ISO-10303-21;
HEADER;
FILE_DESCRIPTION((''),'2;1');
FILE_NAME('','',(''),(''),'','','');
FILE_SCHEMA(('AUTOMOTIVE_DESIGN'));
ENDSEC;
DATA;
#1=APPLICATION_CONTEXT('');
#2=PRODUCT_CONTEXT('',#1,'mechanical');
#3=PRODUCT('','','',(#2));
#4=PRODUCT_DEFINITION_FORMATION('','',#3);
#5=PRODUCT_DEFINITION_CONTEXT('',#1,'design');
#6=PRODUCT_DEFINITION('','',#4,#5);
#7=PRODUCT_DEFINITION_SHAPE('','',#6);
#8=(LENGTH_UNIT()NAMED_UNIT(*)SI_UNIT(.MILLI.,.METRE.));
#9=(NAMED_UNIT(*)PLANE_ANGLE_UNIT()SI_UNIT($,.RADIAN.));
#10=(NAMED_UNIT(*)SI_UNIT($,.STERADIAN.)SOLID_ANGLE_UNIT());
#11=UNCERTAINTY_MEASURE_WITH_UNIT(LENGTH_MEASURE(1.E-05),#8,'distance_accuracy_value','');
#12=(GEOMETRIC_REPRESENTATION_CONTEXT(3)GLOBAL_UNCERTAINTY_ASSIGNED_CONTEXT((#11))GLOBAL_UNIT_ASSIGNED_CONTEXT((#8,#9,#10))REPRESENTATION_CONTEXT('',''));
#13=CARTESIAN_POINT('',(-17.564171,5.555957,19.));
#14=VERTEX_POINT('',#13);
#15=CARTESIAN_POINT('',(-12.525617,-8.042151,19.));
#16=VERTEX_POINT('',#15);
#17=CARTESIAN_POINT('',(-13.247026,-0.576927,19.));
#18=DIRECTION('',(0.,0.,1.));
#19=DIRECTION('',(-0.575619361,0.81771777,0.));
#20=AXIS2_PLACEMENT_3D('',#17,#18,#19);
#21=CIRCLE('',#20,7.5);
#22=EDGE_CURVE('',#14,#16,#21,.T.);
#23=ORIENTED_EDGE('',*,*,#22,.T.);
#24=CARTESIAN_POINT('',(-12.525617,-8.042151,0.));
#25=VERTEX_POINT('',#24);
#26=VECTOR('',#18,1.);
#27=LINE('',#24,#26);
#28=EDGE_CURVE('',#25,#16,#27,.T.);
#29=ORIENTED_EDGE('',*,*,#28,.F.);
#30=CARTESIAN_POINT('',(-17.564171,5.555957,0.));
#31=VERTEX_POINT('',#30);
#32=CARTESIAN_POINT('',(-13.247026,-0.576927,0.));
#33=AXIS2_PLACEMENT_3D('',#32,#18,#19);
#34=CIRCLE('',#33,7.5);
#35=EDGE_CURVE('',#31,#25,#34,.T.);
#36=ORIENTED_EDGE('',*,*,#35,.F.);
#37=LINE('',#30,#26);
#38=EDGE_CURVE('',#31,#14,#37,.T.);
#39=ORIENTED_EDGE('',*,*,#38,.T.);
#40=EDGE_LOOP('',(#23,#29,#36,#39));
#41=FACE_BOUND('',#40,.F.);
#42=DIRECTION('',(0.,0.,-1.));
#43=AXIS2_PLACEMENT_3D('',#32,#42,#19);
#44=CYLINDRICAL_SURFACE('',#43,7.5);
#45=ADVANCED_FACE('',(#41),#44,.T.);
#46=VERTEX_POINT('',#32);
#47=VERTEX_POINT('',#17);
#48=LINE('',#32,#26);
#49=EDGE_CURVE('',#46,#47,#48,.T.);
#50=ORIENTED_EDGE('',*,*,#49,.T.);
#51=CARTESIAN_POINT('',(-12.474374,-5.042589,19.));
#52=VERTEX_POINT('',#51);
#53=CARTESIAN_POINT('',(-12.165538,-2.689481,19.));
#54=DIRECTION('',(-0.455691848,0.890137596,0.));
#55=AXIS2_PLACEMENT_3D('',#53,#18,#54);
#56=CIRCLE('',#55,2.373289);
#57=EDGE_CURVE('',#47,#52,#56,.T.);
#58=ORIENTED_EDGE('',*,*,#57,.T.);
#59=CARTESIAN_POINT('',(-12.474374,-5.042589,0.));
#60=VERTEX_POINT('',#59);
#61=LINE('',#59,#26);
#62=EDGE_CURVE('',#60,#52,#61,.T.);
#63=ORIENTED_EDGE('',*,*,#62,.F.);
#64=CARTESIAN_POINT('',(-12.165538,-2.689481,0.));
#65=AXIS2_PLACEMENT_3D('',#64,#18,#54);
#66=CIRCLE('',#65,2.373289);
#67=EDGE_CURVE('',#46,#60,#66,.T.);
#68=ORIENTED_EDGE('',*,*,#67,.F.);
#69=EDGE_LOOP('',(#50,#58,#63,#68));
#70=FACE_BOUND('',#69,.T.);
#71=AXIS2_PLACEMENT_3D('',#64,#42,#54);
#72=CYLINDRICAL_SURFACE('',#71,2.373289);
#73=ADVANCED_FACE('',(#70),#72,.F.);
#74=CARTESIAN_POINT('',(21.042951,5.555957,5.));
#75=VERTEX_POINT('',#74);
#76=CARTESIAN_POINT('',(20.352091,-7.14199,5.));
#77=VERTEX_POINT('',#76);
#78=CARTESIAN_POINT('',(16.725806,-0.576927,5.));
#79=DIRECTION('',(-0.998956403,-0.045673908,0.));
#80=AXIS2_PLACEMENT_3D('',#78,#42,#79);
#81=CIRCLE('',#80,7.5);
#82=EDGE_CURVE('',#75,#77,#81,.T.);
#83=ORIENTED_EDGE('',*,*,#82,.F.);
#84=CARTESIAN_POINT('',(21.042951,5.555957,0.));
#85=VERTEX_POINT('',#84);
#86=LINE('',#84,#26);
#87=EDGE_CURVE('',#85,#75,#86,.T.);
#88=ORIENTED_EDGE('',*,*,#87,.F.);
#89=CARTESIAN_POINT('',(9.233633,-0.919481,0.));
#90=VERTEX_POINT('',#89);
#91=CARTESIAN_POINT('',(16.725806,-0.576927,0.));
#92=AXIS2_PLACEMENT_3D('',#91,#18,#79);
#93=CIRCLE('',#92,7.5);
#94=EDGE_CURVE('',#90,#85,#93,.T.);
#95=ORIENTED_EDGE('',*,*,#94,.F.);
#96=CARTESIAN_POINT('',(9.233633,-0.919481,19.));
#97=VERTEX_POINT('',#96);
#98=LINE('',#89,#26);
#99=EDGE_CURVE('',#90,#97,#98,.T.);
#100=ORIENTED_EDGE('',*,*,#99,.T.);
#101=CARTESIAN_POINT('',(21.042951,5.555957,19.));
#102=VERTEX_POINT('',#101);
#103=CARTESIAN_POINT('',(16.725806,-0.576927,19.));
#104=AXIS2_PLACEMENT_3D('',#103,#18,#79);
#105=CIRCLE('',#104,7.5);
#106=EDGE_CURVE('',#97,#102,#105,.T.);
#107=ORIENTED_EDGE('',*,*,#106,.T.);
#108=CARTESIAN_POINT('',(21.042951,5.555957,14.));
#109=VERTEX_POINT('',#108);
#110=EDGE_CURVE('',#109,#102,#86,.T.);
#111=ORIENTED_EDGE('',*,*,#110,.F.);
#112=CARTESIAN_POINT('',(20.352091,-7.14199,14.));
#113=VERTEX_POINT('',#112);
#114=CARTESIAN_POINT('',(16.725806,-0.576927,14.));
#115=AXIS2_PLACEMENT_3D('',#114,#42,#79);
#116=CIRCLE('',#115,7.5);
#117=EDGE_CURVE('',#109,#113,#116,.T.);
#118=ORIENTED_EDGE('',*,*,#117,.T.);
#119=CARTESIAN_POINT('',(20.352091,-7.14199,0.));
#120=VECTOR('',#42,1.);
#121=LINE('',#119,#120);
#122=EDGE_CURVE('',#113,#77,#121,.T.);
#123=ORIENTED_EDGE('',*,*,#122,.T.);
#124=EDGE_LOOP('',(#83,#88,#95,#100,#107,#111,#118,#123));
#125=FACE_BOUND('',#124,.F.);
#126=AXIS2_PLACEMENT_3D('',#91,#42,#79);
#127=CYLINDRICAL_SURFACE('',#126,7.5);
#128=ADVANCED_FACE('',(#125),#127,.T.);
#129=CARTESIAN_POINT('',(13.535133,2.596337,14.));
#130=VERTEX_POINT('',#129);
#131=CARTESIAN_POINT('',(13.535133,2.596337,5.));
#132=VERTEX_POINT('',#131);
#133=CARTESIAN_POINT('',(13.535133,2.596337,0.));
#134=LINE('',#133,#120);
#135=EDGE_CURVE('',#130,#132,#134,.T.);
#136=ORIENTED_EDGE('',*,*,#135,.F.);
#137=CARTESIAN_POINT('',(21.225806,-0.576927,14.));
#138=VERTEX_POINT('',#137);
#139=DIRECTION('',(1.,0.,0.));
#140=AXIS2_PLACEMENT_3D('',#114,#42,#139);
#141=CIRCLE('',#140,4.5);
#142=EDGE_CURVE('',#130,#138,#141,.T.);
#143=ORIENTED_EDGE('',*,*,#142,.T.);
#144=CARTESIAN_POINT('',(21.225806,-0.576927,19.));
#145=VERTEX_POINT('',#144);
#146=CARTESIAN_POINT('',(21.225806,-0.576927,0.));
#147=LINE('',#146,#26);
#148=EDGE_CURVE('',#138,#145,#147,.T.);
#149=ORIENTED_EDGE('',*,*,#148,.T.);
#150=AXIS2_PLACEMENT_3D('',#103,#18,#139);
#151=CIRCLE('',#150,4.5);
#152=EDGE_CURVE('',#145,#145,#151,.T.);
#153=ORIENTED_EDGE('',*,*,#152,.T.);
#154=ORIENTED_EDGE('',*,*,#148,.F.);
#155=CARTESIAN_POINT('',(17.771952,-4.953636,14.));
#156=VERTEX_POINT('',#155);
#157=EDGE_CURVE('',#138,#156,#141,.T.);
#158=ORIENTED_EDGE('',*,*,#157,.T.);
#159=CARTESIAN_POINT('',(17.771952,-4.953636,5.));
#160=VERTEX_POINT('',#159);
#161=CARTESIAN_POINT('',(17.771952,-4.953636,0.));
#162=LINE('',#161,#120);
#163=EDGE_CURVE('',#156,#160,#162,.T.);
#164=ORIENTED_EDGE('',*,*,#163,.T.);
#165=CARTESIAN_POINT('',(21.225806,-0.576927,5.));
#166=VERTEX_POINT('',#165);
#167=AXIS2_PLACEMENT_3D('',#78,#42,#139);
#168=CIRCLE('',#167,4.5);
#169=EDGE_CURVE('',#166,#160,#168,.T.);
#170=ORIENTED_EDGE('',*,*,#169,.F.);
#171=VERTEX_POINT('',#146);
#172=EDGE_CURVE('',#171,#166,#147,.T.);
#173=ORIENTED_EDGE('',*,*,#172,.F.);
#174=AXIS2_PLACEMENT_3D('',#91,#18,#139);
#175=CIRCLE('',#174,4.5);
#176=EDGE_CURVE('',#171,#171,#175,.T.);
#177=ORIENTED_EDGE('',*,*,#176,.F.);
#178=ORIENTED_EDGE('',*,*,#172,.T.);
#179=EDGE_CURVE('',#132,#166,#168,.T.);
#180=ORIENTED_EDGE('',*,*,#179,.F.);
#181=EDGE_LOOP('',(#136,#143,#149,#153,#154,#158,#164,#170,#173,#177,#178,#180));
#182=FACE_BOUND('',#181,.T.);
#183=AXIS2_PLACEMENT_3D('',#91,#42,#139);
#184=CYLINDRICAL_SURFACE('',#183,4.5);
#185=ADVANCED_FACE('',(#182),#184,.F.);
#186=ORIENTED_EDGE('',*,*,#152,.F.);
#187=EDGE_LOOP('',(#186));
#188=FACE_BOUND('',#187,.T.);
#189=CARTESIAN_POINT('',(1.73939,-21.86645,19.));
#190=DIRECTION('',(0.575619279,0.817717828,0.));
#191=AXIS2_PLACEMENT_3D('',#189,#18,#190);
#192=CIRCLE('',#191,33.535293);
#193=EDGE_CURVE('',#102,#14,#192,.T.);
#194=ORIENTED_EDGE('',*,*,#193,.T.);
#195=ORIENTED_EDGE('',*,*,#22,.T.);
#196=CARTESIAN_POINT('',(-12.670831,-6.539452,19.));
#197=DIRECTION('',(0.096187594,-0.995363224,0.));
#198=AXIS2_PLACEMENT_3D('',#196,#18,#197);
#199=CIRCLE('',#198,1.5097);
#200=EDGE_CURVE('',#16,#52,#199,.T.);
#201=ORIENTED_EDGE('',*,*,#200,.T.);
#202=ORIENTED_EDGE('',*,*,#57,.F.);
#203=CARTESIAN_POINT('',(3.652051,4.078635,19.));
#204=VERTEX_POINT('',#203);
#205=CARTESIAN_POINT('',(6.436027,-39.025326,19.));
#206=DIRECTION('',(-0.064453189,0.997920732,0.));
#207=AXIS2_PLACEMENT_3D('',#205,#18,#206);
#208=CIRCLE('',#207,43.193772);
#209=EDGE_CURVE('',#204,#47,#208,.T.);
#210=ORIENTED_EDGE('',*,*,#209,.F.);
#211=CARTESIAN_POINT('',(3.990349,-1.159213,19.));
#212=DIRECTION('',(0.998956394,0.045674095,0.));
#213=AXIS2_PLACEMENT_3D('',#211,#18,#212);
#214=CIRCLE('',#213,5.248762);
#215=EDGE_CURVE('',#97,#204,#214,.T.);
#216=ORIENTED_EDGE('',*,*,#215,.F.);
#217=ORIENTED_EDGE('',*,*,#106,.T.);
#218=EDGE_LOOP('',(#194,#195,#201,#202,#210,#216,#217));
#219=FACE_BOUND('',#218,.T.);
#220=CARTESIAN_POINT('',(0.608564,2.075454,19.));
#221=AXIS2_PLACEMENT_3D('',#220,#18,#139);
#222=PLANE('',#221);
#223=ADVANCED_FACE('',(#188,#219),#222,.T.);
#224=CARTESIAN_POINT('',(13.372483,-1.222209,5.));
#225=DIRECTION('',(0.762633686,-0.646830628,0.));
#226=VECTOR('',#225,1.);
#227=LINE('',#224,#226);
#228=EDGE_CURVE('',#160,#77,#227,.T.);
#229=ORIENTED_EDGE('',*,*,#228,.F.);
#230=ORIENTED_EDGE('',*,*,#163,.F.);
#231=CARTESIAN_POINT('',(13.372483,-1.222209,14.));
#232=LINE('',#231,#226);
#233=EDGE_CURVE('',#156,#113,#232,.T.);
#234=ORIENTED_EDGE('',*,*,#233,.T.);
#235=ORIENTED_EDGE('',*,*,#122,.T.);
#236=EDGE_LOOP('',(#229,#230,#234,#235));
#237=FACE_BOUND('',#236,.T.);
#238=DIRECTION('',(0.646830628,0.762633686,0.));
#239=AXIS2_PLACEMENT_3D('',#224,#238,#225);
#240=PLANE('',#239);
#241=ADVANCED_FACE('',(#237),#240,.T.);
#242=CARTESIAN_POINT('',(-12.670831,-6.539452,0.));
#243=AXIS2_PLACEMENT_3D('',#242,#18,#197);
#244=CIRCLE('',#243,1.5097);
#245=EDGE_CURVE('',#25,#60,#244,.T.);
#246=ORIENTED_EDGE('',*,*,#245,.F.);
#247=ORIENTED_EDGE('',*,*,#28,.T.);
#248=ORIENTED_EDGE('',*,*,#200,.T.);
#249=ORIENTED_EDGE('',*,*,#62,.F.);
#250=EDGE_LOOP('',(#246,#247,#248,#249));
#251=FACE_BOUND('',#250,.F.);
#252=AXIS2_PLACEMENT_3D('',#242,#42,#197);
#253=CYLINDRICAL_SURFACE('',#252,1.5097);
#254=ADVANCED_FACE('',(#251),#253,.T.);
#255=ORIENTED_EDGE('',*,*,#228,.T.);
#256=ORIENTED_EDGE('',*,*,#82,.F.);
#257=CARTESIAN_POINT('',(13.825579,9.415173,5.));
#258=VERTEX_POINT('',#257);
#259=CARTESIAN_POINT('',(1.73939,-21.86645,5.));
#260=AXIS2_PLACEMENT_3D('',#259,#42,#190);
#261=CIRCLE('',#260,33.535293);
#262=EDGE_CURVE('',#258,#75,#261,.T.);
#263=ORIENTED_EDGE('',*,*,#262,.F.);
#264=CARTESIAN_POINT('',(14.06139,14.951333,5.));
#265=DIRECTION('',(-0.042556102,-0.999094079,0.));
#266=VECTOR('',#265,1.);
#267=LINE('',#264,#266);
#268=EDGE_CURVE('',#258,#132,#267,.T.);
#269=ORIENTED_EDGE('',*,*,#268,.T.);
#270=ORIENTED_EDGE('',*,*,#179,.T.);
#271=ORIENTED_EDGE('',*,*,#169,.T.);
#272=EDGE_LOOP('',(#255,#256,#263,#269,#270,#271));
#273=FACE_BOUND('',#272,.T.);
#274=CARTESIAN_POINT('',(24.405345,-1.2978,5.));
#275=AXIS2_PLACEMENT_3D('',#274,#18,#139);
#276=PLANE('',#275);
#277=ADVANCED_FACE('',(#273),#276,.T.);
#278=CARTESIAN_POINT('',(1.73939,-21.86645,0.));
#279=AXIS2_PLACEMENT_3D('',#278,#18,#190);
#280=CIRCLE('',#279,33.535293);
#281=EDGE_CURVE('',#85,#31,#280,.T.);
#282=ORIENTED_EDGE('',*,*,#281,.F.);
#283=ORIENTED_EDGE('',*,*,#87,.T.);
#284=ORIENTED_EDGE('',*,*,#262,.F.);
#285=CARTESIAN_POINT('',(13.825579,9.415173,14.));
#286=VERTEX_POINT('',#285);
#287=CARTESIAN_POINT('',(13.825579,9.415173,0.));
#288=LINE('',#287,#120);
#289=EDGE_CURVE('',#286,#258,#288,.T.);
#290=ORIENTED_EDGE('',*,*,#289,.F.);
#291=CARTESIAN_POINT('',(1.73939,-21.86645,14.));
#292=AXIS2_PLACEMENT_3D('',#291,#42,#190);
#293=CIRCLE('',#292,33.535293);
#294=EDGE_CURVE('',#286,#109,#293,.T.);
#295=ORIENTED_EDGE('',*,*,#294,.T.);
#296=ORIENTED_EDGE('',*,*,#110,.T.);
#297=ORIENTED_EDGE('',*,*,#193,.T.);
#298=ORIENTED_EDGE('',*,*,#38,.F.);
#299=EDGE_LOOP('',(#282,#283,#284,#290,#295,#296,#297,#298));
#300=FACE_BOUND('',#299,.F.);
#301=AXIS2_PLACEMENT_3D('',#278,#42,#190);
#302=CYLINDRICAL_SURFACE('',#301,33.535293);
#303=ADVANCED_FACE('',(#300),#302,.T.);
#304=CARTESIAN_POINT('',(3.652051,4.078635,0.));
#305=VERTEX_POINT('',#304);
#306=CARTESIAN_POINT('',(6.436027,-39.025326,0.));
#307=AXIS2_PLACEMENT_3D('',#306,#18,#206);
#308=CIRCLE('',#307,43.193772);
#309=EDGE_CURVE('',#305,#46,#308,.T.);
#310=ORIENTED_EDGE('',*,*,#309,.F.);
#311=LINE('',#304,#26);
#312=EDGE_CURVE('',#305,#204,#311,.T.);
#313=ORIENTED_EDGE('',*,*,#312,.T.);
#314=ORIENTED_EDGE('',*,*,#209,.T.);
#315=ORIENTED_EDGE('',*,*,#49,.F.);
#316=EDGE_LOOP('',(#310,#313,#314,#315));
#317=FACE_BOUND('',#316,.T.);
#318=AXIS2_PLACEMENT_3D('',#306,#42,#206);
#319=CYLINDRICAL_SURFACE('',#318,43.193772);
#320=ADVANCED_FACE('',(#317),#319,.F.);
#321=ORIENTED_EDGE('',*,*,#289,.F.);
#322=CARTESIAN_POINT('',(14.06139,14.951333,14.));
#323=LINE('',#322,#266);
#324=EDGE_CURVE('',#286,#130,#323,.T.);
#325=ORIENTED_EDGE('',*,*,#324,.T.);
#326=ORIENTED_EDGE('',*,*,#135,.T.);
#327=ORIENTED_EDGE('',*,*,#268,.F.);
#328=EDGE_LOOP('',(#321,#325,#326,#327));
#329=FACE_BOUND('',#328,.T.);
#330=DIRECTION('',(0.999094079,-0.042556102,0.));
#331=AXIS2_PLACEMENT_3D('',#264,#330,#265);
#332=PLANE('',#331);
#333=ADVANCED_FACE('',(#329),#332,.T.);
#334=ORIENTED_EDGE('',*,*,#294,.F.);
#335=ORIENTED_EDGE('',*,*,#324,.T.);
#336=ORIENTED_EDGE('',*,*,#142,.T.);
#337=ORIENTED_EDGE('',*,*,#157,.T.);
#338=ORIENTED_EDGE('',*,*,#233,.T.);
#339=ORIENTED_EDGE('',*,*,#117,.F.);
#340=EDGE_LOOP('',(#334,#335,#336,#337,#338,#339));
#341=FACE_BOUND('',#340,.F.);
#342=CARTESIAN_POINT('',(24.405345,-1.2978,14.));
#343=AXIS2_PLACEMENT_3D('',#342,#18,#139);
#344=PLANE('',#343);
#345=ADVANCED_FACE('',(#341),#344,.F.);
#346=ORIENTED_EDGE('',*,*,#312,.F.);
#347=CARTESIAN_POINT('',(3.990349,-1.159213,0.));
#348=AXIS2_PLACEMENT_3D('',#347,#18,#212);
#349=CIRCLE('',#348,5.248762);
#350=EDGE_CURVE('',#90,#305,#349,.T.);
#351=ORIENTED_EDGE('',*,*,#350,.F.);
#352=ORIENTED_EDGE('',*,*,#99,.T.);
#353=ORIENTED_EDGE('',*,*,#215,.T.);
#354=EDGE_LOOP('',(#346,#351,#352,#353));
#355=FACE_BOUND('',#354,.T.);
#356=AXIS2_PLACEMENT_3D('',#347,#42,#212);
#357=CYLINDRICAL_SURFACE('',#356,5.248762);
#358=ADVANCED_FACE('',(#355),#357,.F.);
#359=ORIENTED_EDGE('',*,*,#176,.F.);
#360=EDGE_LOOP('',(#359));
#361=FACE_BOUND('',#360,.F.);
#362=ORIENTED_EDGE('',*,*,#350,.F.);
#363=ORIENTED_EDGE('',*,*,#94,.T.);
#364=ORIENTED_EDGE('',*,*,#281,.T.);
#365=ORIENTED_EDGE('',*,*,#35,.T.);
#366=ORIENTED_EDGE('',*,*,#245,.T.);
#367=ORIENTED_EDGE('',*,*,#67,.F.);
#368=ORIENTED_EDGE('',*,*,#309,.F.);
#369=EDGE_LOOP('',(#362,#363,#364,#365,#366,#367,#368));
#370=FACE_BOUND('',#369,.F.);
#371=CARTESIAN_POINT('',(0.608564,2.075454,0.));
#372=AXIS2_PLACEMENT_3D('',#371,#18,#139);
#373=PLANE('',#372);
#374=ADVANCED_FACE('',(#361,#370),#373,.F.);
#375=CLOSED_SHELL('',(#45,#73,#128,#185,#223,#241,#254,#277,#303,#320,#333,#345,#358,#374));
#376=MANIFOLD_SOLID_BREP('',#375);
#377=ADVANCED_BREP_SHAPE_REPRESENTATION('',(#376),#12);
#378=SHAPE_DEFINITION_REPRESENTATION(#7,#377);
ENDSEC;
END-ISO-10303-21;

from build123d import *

# Parameters (mm, degrees)
PAD001_DEPTH = 9
SKETCH_R     = 4.5
PAD_DEPTH    = 19


with BuildPart() as pad001:
    # Sketch001 → Pad001 (new body)
    with BuildSketch(Plane.XY.offset(5)):
        Polygon((14.06139, 14.951333), (13.372483, -1.222209), (24.294571, -10.485819), (31.779444, -19.545599), (34.910954, 3.534533), align=None)
    extrude(amount=PAD001_DEPTH)


with BuildPart() as cut:
    # Sketch → Pad (new body)
    with BuildSketch(Plane.XY):
        with BuildLine():
            ThreePointArc((21.042951, 5.555957), (1.73939, 11.668843), (-17.564171, 5.555957))
            ThreePointArc((-17.564171, 5.555957), (-20.279768, -3.182793), (-12.525617, -8.042151))
            ThreePointArc((-12.525617, -8.042151), (-11.161352, -6.565238), (-12.474374, -5.042589))
            ThreePointArc((-13.247026, -0.576927), (-14.504081, -3.094097), (-12.474374, -5.042589))
            ThreePointArc((3.652051, 4.078635), (-5.036131, 2.617099), (-13.247026, -0.576927))
            ThreePointArc((9.233633, -0.919481), (7.491779, 2.750964), (3.652051, 4.078635))
            ThreePointArc((9.233633, -0.919481), (20.331777, -7.15317), (21.042951, 5.555957))
        make_face()
        with Locations((16.725806, -0.576927)):
            Circle(SKETCH_R, mode=Mode.SUBTRACT)
    extrude(amount=PAD_DEPTH)

    # Cut: cut Pad001
    add(pad001.part, mode=Mode.SUBTRACT)


solid = cut.part
